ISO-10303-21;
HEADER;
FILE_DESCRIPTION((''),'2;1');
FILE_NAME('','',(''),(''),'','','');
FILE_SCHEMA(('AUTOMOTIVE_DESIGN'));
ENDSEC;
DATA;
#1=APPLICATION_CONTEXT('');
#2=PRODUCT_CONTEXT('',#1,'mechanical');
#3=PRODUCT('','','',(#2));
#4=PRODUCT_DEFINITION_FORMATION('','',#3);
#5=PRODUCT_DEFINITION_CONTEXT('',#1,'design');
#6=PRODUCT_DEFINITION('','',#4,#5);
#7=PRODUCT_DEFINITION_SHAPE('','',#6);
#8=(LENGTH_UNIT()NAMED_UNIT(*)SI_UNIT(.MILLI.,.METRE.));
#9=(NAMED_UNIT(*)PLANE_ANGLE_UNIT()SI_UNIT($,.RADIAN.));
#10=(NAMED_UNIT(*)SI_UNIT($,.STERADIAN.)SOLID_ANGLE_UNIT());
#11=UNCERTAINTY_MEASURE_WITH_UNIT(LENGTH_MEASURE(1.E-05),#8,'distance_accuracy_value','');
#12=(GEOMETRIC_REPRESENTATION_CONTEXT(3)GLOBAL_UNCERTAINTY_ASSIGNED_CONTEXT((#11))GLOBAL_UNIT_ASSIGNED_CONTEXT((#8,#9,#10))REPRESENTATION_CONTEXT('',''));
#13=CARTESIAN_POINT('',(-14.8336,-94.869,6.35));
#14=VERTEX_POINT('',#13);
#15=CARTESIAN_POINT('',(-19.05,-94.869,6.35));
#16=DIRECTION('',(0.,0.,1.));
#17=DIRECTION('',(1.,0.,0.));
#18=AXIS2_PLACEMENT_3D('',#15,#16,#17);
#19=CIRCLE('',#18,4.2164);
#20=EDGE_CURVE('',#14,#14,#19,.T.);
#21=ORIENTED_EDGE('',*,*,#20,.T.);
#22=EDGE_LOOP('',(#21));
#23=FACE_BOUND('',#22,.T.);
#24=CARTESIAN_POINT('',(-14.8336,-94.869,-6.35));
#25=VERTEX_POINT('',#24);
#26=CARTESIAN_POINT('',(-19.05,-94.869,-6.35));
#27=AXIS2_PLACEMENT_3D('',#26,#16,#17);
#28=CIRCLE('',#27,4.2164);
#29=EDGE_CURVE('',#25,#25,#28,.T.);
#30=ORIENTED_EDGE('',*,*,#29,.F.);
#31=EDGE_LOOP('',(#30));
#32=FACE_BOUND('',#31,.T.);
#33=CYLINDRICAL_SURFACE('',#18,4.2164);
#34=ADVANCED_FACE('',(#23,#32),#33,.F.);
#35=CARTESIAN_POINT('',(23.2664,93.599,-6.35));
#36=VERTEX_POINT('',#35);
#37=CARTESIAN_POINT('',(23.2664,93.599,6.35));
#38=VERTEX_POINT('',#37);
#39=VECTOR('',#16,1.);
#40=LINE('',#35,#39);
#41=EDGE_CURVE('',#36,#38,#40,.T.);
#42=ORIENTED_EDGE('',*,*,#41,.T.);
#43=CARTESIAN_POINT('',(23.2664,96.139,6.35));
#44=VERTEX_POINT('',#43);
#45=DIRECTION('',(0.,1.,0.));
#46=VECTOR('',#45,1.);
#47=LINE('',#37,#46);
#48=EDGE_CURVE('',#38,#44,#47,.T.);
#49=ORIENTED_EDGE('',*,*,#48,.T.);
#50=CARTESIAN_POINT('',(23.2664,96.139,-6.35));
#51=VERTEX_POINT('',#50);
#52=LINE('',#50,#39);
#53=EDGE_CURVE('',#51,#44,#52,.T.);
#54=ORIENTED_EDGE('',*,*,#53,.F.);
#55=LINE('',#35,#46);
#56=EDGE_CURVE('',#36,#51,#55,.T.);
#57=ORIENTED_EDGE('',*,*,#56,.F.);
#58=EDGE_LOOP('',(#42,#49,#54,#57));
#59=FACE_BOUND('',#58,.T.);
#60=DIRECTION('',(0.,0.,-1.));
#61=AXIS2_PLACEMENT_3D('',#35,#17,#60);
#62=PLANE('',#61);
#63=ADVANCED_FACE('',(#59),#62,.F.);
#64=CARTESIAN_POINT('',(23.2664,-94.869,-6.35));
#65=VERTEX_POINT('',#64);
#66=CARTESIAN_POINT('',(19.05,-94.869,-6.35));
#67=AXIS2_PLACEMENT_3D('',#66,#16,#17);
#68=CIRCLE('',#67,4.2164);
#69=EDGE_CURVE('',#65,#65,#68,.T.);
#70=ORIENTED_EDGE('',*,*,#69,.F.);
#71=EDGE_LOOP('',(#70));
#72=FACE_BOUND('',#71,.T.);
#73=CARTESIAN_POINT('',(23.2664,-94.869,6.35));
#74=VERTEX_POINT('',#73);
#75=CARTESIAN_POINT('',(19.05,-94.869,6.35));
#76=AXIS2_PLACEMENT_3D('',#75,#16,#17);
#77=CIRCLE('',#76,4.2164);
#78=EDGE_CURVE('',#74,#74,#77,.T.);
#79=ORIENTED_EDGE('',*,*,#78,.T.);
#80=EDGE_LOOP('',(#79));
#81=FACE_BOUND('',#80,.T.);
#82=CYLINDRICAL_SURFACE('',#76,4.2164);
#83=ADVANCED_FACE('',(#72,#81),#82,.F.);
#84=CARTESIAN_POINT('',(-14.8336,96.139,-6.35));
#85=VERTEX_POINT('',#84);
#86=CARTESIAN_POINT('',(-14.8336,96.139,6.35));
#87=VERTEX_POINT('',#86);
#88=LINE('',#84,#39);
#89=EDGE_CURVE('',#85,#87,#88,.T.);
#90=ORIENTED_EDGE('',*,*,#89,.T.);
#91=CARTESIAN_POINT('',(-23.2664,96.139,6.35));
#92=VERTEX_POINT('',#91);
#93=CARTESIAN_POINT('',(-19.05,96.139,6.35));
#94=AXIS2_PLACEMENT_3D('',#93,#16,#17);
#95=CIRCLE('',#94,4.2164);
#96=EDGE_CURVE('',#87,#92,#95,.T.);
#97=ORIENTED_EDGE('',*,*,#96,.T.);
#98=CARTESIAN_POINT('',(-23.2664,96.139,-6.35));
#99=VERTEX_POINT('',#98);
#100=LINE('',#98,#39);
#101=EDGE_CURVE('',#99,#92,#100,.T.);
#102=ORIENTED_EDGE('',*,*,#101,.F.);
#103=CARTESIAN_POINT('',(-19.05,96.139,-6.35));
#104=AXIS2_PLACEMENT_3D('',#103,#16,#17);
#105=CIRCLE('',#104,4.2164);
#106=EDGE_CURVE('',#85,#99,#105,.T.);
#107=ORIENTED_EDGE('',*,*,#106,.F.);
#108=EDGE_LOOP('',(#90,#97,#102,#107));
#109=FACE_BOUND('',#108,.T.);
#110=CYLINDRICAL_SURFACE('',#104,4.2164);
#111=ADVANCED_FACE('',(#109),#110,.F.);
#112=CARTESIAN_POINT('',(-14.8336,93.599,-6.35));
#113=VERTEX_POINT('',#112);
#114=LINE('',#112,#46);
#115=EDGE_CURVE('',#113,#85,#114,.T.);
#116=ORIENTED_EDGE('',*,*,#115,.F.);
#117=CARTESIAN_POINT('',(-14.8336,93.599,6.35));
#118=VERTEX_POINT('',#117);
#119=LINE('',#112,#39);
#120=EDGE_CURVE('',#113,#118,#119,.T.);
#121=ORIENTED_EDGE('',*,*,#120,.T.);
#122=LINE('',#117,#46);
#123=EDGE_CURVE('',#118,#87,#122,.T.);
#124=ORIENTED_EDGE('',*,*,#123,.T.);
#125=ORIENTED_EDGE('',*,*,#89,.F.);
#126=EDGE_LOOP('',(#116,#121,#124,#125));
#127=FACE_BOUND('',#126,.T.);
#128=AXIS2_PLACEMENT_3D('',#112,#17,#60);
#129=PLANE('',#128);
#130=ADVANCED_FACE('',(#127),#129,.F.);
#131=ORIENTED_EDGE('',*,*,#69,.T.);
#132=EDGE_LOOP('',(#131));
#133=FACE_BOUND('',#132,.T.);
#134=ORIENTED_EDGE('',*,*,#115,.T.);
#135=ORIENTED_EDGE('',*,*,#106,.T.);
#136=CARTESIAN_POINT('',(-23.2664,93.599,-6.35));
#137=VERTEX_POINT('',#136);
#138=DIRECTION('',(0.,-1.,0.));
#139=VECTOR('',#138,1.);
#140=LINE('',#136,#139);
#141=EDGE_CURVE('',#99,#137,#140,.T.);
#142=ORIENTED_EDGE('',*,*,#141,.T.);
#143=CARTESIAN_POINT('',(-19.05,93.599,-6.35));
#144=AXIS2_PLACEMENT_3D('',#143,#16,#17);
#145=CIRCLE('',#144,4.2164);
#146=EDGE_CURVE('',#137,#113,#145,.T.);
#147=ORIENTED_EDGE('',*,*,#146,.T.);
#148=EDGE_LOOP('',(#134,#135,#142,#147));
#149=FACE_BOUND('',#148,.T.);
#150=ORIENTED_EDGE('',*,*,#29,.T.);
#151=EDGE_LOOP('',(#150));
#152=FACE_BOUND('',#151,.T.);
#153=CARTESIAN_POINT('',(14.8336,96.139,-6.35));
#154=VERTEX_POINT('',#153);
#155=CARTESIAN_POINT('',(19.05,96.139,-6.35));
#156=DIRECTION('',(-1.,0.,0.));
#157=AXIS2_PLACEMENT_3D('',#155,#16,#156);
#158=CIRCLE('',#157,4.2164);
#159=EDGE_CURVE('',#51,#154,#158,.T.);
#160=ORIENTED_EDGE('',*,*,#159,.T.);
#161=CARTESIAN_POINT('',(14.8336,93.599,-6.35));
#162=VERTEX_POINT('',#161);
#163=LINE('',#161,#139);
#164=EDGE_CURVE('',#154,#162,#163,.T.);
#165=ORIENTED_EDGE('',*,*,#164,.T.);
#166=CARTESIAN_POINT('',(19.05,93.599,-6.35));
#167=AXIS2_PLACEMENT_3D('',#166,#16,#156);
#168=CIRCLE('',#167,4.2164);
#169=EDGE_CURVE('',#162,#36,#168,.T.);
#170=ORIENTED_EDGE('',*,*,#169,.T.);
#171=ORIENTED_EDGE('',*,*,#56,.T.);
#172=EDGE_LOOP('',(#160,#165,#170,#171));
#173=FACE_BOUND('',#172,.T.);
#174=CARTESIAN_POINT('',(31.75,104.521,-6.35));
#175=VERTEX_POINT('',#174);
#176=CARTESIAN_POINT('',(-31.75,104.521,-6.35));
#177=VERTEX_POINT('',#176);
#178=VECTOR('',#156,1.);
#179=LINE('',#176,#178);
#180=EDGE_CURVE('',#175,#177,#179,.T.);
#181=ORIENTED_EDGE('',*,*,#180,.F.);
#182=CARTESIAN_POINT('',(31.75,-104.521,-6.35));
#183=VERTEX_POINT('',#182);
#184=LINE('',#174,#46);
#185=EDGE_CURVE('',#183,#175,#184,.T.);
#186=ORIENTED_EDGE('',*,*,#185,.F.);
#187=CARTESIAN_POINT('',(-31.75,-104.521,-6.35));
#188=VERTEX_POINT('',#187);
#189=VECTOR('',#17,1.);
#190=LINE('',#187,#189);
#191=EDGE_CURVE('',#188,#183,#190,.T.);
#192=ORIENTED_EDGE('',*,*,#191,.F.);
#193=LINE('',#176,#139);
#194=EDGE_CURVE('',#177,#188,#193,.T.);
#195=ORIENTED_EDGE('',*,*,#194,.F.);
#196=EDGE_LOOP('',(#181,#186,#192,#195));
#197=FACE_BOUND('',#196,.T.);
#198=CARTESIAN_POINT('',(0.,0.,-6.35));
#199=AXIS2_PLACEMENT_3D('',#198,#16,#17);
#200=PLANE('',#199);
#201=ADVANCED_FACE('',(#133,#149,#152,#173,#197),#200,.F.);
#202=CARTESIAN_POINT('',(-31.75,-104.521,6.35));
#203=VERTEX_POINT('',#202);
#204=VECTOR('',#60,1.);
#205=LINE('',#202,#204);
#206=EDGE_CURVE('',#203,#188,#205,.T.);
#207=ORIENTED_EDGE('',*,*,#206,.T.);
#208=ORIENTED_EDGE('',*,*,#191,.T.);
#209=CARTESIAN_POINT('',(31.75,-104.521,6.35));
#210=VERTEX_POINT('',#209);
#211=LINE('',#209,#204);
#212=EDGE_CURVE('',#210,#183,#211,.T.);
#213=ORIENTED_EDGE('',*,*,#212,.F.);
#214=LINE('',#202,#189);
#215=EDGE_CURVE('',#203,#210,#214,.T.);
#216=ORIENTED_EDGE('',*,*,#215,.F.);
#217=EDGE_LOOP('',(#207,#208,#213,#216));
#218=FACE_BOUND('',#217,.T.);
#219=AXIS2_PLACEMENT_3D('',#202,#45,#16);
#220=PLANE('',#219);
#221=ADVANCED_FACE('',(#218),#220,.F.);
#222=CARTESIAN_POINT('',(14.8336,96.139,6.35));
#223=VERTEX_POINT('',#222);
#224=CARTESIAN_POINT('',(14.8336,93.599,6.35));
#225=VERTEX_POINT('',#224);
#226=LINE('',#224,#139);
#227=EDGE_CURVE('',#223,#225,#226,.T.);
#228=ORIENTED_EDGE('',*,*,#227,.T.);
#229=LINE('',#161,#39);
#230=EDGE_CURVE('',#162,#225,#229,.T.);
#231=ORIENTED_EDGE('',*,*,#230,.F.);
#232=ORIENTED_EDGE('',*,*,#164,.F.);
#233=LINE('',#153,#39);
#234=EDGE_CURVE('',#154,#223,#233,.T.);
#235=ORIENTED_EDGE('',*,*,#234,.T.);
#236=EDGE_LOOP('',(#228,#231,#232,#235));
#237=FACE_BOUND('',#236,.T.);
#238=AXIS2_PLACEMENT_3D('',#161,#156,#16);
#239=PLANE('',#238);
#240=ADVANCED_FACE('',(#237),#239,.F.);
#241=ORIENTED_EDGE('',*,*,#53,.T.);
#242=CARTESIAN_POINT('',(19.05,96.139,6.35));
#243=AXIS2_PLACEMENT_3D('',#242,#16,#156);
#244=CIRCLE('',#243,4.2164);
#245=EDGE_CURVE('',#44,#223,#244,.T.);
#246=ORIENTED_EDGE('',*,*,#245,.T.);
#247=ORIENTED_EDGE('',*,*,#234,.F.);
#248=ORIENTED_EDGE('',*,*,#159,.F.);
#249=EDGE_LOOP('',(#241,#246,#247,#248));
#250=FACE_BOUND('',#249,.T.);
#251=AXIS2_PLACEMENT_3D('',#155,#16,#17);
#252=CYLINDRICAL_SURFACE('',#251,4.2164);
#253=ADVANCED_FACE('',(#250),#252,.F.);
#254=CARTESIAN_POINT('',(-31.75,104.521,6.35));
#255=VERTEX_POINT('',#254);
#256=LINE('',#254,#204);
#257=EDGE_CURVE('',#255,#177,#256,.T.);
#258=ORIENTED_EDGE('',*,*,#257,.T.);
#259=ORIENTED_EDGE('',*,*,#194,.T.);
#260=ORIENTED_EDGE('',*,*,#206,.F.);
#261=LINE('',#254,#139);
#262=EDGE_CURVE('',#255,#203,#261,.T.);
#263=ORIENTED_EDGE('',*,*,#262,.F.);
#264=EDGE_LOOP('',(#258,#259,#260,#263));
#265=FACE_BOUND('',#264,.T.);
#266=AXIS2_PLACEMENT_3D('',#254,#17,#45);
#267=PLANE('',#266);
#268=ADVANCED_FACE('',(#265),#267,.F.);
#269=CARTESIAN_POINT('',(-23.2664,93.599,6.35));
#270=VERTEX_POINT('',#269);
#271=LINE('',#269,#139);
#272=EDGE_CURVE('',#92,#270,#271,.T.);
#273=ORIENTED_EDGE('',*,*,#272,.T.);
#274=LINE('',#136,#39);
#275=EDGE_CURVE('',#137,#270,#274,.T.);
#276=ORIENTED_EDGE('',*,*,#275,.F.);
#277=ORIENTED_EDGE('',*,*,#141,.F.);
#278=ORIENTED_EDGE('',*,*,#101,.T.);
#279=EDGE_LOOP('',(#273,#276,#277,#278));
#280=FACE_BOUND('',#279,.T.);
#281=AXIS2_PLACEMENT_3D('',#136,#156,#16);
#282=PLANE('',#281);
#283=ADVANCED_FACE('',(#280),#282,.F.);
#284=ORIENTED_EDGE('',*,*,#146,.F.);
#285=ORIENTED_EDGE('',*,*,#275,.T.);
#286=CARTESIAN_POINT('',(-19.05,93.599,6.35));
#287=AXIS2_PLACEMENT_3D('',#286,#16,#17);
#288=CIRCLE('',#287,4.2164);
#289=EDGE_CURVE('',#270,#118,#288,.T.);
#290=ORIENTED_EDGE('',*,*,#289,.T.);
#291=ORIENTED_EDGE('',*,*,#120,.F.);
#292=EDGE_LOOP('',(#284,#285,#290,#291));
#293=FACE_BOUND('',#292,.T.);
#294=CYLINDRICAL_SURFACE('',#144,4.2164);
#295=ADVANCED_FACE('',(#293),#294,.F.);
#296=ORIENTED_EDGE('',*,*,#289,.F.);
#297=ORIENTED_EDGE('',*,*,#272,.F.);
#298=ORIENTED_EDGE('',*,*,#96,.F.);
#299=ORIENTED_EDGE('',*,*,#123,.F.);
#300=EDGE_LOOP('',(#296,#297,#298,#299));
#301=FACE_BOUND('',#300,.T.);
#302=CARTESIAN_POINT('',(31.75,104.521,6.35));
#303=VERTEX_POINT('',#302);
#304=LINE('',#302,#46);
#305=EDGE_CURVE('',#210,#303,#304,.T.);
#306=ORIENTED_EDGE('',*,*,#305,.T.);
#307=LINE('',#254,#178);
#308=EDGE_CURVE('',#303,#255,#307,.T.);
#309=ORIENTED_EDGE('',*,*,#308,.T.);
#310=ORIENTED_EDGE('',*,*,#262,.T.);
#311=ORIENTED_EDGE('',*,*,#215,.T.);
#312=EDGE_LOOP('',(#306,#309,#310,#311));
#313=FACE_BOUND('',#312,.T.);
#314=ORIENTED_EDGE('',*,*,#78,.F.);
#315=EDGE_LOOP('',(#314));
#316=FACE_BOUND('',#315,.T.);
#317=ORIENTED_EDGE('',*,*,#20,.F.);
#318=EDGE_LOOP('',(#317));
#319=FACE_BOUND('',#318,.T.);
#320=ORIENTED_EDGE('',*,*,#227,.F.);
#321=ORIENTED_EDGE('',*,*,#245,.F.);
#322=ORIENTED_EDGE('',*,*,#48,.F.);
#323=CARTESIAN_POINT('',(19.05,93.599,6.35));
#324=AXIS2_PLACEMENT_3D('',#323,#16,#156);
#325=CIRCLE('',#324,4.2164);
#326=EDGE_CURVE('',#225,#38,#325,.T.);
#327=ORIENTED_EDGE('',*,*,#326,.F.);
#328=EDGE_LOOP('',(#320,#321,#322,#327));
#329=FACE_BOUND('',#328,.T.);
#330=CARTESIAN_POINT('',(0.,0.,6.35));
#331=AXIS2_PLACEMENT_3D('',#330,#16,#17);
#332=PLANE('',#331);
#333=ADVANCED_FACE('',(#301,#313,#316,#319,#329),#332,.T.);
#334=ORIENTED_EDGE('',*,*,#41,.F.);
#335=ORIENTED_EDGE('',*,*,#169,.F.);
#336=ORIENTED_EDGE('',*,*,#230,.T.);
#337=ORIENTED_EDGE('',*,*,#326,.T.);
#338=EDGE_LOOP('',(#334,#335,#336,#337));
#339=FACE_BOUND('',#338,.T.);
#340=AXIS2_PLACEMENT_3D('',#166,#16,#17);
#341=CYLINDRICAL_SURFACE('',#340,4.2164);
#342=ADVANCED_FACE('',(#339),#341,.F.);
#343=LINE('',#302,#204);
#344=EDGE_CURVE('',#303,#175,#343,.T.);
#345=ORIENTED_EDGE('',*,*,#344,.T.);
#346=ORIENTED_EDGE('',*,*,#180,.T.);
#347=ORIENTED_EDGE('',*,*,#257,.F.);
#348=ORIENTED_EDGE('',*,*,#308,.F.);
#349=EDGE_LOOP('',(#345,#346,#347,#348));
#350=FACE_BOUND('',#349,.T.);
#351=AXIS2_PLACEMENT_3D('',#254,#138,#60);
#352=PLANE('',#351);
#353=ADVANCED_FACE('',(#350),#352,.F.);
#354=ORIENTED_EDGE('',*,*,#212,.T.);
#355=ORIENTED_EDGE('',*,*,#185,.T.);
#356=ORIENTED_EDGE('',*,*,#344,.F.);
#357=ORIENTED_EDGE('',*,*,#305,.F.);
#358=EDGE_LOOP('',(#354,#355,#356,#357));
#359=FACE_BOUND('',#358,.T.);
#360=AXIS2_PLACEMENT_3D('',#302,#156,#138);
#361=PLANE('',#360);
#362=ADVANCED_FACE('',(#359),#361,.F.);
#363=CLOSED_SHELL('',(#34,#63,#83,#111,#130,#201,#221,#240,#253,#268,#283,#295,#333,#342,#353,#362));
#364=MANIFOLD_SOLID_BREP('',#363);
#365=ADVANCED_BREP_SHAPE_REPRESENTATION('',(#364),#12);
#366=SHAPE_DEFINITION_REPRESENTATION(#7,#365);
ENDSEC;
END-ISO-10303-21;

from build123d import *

# Parameters (mm, degrees)
SKETCH1_W_MOCK_PCB_W     = 63.5
SKETCH1_W_MOCK_PCB_H     = 209.042
BOSS_EXTRUDE1_DEPTH      = 6.35
F_5_16_CLEARANCE_HOLE1_D = 8.4328
CUT_EXTRUDE1_DEPTH       = 13.7


with BuildPart() as part:
    # Sketch1 w/mock PCB → Boss-Extrude1 (new body, symmetric)
    with BuildSketch(Plane.XY):
        Rectangle(SKETCH1_W_MOCK_PCB_W, SKETCH1_W_MOCK_PCB_H)
    extrude(amount=BOSS_EXTRUDE1_DEPTH, both=True)

    # 5/16 Clearance Hole1 (through all)
    with Locations(Plane.XY.offset(6.35)):
        with Locations((-19.05, -94.869), (19.05, -94.869)):
            Hole(F_5_16_CLEARANCE_HOLE1_D / 2)

    # Sketch3 → Cut-Extrude1 (cut, through all)
    with BuildSketch(Plane.XY.offset(6.35)):
        with BuildLine():
            Line((-23.2664, 93.599), (-23.2664, 96.139))
            ThreePointArc((-23.2664, 96.139), (-19.05, 100.3554), (-14.8336, 96.139))
            Line((-14.8336, 96.139), (-14.8336, 93.599))
            ThreePointArc((-14.8336, 93.599), (-19.05, 89.3826), (-23.2664, 93.599))
        make_face()
        with BuildLine():
            Line((23.2664, 93.599), (23.2664, 96.139))
            ThreePointArc((23.2664, 96.139), (19.05, 100.3554), (14.8336, 96.139))
            Line((14.8336, 96.139), (14.8336, 93.599))
            ThreePointArc((14.8336, 93.599), (19.05, 89.3826), (23.2664, 93.599))
        make_face()
    extrude(amount=-CUT_EXTRUDE1_DEPTH, mode=Mode.SUBTRACT)


solid = part.part
